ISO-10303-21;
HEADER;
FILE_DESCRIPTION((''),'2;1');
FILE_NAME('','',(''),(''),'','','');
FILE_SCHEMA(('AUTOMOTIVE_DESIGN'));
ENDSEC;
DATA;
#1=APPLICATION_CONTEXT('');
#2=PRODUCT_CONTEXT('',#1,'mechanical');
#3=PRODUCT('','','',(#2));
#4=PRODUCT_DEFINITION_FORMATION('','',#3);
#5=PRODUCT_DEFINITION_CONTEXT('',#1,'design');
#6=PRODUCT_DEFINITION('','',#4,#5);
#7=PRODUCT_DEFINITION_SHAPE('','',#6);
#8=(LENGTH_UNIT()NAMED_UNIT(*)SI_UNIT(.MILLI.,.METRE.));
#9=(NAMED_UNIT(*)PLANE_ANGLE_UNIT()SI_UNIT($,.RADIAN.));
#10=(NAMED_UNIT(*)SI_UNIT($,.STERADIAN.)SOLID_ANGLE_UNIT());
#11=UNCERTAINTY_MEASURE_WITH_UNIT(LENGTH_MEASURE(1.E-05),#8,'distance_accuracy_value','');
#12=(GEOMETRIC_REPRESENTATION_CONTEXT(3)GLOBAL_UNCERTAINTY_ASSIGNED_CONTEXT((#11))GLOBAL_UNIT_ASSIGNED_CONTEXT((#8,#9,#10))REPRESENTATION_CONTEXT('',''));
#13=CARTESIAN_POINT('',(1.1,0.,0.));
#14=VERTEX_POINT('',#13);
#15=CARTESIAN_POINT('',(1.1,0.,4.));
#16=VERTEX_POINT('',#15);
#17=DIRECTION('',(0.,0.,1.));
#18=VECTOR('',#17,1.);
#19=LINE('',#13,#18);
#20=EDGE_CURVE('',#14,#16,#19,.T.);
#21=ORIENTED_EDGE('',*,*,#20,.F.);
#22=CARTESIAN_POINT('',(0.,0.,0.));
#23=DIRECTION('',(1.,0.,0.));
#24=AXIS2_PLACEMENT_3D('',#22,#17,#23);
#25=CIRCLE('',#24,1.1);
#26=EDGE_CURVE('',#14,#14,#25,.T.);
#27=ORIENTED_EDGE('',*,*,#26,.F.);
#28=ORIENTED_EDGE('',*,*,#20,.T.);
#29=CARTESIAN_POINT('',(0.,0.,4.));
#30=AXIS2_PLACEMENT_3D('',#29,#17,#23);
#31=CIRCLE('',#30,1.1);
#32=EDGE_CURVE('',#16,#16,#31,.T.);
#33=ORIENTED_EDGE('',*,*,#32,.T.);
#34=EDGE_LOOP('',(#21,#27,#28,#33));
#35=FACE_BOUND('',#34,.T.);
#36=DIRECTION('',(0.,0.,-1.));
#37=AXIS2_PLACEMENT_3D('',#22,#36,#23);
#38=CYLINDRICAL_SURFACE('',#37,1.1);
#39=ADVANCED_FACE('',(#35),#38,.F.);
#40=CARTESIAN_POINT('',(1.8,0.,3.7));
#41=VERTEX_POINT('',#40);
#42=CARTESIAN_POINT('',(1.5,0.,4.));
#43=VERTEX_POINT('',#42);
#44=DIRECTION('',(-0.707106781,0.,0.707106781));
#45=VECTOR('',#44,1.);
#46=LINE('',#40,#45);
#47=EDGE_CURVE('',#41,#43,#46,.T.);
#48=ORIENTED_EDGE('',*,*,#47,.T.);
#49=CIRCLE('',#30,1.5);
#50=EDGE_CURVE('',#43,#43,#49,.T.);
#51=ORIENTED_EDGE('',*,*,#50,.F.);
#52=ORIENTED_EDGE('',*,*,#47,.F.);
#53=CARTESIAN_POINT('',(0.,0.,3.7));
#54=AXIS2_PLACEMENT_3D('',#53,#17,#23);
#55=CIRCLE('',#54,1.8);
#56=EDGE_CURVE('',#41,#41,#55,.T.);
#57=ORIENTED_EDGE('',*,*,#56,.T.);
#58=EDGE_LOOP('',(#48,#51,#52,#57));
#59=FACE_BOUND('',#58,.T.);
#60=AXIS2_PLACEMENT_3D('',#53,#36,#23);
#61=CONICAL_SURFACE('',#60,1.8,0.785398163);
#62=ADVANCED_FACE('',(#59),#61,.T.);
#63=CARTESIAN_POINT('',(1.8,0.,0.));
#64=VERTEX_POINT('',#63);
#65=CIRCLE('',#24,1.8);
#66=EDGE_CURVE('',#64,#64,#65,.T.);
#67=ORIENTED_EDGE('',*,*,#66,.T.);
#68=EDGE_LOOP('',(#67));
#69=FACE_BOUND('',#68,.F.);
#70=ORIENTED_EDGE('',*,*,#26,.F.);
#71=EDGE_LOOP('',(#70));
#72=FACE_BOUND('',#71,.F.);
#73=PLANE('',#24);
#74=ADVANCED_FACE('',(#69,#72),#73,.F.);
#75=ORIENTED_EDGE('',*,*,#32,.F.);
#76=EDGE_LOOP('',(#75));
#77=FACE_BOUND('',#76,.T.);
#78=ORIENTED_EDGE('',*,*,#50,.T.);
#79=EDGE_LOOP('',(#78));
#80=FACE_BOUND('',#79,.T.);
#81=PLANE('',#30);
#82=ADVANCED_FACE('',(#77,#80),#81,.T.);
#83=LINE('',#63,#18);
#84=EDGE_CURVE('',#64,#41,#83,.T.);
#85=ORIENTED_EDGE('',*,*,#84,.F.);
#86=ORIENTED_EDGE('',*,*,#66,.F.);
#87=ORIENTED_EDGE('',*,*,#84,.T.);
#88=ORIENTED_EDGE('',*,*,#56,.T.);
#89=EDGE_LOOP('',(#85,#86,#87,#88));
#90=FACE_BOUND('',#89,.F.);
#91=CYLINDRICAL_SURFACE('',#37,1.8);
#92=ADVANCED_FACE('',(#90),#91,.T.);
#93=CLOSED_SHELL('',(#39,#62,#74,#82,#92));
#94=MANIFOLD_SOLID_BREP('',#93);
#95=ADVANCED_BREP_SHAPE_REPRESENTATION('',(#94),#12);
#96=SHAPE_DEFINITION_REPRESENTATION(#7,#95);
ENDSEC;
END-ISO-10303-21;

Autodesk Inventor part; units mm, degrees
ref_plane "YZ Plane" through (0, 0, 0) normal (1, 0, 0) x (0, 1, 0)
ref_plane "XZ Plane" through (0, 0, 0) normal (0, 1, 0) x (-1, 0, 0)
ref_plane "XY Plane" through (0, 0, 0) normal (0, 0, 1) x (1, 0, 0)
sketch "スケッチ1" plane through (0, 0, 0) normal (0, 0, 1) x (1, 0, 0)
  circle A0 centre (0, 0) radius 1.8
  circle A1 centre (0, 0) radius 1.1
  dimension "d0" = 3.6
  dimension "d1" = 2.2
extrude "押し出し1" add sketch "スケッチ1" along normal blind 4
chamfer "面取り1" distance 0.3 angle 45 1 edges at (-1.8, 0, 4)
properties part number "Φ3.6-Φ2.2-4" material "アルミニウム"
